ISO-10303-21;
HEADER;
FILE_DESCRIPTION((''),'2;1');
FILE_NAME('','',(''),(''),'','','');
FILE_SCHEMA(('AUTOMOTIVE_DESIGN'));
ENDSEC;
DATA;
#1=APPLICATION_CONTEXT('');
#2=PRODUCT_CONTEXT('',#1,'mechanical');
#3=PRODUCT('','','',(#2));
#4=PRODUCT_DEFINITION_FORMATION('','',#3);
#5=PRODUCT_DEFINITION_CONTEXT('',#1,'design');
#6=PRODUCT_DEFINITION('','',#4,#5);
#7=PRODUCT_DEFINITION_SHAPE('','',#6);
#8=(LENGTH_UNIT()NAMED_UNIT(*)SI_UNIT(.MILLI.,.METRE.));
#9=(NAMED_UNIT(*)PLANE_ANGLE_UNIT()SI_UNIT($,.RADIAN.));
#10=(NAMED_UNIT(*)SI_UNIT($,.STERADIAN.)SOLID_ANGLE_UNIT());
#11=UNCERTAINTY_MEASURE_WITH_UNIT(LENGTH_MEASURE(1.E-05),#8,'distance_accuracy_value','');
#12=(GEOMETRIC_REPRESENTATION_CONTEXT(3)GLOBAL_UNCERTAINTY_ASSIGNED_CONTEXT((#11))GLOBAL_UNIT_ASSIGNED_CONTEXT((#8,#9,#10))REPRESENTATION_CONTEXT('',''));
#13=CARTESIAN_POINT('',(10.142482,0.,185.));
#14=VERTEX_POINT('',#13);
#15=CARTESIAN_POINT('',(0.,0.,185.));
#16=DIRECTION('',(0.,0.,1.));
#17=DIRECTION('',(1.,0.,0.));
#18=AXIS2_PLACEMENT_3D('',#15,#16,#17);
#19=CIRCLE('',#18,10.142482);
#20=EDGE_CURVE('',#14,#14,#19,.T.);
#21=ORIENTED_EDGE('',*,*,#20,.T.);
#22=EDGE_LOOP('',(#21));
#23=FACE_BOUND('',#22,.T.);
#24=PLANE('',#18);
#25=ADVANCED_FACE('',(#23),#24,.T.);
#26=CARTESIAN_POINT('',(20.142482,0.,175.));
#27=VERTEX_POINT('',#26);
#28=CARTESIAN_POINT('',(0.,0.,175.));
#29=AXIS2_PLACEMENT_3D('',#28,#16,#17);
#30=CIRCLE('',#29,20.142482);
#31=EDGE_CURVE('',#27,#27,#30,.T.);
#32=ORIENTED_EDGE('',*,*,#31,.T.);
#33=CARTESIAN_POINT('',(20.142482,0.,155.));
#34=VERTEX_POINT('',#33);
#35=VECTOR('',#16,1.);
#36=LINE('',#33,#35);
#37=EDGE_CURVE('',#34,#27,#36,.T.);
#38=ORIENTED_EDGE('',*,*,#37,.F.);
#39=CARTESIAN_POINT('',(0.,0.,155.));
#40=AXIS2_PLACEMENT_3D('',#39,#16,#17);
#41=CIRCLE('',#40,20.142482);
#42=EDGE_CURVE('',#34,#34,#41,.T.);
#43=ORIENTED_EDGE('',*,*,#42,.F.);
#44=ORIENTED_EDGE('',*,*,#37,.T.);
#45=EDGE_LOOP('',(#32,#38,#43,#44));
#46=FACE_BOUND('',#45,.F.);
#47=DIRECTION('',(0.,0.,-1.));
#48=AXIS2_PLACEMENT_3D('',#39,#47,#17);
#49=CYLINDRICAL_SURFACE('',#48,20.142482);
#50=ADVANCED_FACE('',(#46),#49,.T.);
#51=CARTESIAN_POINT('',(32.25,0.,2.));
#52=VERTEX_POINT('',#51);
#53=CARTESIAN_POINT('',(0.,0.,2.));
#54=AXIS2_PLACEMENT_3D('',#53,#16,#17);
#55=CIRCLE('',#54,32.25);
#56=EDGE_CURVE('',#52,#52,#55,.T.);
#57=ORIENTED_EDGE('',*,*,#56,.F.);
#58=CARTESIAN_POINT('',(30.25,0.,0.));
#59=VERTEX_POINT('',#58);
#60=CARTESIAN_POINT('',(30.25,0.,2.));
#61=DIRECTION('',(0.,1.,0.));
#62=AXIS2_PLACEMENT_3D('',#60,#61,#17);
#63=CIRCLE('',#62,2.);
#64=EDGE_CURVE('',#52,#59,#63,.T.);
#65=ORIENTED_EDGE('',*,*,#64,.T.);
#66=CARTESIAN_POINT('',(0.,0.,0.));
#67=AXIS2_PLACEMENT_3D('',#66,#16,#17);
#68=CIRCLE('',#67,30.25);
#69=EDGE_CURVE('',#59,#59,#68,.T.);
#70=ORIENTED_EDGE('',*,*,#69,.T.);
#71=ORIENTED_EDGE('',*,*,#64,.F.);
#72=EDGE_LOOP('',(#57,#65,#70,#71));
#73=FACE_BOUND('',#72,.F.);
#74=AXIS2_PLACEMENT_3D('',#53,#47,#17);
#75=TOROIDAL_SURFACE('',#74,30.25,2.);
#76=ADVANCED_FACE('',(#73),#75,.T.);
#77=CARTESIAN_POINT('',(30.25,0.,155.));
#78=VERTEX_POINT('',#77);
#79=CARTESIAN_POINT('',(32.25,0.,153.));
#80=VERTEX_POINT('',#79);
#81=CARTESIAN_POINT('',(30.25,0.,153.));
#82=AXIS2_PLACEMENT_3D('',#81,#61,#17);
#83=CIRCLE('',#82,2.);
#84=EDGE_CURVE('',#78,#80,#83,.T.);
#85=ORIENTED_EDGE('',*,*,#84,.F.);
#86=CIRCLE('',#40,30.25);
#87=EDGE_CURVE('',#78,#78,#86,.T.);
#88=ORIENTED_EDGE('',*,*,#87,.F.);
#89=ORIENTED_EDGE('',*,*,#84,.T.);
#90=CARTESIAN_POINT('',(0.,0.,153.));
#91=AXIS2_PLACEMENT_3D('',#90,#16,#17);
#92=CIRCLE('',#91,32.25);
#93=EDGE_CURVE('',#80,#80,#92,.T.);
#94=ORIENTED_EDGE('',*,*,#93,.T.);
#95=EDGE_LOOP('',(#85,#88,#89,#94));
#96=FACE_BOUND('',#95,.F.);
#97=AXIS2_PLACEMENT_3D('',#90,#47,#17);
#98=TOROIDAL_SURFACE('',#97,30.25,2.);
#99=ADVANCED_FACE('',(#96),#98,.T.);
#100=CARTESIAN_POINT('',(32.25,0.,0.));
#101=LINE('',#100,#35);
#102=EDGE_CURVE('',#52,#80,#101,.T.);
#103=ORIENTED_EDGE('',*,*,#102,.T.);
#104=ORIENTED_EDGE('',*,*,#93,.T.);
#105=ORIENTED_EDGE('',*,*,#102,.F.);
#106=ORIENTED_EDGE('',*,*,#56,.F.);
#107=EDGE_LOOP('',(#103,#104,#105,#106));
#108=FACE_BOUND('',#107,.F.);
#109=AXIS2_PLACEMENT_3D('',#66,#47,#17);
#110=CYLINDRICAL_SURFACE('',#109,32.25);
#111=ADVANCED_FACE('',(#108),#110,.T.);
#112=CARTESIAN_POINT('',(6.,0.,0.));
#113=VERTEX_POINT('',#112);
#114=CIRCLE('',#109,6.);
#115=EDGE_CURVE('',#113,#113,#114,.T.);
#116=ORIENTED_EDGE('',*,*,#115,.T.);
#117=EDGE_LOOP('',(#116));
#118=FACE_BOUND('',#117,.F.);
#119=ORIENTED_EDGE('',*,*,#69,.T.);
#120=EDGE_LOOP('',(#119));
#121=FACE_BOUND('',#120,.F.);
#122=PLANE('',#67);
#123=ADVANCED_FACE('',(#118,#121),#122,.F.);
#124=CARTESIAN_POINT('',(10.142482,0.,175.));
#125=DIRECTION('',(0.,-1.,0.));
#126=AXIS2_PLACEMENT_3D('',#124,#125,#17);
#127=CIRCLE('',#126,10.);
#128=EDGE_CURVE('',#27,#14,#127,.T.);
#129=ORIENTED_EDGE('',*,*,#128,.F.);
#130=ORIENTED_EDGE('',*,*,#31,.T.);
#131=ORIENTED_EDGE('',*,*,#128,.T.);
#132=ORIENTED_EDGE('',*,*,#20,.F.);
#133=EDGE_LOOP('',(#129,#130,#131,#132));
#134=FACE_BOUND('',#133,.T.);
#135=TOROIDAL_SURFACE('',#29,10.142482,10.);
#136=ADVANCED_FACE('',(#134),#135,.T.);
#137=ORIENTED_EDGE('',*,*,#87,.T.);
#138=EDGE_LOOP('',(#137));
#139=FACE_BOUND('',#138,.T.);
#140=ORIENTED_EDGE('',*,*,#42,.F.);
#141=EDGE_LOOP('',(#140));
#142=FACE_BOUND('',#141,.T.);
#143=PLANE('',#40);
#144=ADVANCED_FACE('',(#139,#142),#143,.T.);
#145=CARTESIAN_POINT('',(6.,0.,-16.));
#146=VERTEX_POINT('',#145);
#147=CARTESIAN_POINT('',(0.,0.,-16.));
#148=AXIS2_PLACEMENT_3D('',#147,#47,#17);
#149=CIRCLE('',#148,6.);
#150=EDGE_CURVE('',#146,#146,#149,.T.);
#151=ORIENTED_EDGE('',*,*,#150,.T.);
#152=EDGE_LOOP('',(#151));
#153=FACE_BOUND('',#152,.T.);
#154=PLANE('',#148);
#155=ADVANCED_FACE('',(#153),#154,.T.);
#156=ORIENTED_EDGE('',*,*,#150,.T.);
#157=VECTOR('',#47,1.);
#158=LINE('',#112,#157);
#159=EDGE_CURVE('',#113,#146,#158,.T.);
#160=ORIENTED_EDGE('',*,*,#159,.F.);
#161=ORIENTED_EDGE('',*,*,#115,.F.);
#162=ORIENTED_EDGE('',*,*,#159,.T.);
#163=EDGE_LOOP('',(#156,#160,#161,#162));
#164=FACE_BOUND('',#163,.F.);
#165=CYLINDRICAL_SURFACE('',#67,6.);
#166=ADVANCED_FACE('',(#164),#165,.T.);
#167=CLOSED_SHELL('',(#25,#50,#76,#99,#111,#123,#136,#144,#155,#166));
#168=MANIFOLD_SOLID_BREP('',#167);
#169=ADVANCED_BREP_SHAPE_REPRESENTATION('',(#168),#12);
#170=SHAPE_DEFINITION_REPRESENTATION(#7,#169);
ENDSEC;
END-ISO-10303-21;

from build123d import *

# Parameters (mm, degrees)
F0_R     = 32.25
F1_DEPTH = 155
F2_R     = 20.142482
F3_DEPTH = 30
F4_R     = 10
F5_R     = 6
F6_DEPTH = 16
F7_R     = 2


with BuildPart() as f1:
    # F0 (on Top) → F1 (new body)
    with BuildSketch(Plane.XY):
        Circle(F0_R)
    extrude(amount=F1_DEPTH)

    # F2 (on face) → F3 (join)
    with BuildSketch(Plane.XY.offset(155)):
        Circle(F2_R)
    extrude(amount=F3_DEPTH)

    # F4
    f4_edges = [f1.edges().sort_by_distance(p)[0] for p in [
        (-20.142482, 0, 185),
    ]]
    fillet(f4_edges, radius=F4_R)

    # F5 (on face) → F6 (join)
    with BuildSketch(Plane(origin=(0, 0, 0), x_dir=(1, 0, 0), z_dir=(0, 0, -1))):
        Circle(F5_R)
    extrude(amount=F6_DEPTH)

    # F7
    f7_edges = [f1.edges().sort_by_distance(p)[0] for p in [
        (-32.25, 0, 155),
        (-32.25, 0, 0),
    ]]
    fillet(f7_edges, radius=F7_R)


solid = f1.part
